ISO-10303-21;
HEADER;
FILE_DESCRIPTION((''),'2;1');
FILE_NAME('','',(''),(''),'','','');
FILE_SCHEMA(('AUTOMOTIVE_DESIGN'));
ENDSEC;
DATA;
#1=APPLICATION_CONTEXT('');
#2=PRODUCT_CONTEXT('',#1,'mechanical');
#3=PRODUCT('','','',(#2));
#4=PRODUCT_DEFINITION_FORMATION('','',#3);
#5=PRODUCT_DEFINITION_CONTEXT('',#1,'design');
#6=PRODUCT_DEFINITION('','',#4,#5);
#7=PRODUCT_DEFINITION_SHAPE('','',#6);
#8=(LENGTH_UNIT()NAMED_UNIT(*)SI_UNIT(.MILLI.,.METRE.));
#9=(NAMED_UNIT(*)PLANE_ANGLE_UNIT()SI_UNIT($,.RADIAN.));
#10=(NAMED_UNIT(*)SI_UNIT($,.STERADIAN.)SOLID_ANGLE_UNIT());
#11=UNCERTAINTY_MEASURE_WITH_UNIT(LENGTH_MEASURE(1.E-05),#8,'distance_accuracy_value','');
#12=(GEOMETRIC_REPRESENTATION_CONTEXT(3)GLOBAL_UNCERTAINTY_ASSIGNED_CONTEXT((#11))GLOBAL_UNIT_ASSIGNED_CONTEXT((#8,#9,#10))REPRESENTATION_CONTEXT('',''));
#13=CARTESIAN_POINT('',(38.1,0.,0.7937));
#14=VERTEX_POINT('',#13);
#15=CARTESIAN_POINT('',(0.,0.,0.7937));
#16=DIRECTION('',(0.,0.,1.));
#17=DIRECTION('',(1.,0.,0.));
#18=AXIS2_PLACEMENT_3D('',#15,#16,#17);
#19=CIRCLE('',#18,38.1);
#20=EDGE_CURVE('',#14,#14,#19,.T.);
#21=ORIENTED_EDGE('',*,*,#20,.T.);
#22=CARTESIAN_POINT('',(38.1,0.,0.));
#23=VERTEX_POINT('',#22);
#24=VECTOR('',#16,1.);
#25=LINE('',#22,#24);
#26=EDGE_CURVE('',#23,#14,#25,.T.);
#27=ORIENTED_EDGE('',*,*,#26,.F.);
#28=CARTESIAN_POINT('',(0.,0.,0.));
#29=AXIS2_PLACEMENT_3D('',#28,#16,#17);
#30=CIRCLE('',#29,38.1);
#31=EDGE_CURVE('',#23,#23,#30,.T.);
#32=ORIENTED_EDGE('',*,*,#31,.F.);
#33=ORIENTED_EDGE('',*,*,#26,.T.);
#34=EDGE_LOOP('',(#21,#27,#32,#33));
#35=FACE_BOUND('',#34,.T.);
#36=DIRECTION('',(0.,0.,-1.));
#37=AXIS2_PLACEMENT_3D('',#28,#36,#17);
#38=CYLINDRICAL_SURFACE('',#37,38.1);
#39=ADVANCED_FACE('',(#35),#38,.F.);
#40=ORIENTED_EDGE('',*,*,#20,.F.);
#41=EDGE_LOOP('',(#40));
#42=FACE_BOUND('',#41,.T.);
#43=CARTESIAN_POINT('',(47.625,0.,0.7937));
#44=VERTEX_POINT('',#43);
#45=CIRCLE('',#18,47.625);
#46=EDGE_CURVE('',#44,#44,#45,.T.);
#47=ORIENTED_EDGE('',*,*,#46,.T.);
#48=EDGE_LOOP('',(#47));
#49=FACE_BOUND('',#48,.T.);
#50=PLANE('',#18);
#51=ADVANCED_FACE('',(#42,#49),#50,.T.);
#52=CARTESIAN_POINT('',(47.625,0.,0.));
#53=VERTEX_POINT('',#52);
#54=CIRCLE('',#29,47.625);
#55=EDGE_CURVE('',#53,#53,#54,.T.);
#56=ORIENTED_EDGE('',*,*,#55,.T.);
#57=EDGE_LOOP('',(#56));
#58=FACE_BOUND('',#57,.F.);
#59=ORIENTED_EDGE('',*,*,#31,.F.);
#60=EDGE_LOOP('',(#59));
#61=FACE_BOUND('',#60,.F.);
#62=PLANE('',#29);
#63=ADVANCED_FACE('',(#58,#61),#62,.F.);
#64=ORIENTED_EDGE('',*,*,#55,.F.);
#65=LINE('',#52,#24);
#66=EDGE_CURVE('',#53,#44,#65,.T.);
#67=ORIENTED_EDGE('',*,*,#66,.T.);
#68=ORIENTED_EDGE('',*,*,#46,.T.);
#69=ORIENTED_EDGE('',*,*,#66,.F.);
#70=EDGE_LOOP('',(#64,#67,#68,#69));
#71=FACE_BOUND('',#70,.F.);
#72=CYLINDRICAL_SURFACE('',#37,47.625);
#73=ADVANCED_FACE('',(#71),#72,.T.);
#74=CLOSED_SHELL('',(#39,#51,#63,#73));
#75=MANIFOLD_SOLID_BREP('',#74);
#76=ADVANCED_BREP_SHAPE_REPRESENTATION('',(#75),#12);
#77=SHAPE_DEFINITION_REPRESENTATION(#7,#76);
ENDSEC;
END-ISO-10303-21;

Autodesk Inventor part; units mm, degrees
ref_plane "YZ Plane" through (0, 0, 0) normal (1, 0, 0) x (0, 1, 0)
ref_plane "XZ Plane" through (0, 0, 0) normal (0, 1, 0) x (-1, 0, 0)
ref_plane "XY Plane" through (0, 0, 0) normal (0, 0, 1) x (1, 0, 0)
sketch "Sketch1" plane through (0, 0, 0) normal (0, 0, 1) x (1, 0, 0)
  circle A0 centre (0, 0) radius 38.1
  circle A1 centre (0, 0) radius 47.625
  dimension "d0" = 76.2
  dimension "d1" = 95.25
extrude "Extrusion1" add sketch "Sketch1" along normal blind 0.7937
properties part number "TRA4860 Thrust Washer"
